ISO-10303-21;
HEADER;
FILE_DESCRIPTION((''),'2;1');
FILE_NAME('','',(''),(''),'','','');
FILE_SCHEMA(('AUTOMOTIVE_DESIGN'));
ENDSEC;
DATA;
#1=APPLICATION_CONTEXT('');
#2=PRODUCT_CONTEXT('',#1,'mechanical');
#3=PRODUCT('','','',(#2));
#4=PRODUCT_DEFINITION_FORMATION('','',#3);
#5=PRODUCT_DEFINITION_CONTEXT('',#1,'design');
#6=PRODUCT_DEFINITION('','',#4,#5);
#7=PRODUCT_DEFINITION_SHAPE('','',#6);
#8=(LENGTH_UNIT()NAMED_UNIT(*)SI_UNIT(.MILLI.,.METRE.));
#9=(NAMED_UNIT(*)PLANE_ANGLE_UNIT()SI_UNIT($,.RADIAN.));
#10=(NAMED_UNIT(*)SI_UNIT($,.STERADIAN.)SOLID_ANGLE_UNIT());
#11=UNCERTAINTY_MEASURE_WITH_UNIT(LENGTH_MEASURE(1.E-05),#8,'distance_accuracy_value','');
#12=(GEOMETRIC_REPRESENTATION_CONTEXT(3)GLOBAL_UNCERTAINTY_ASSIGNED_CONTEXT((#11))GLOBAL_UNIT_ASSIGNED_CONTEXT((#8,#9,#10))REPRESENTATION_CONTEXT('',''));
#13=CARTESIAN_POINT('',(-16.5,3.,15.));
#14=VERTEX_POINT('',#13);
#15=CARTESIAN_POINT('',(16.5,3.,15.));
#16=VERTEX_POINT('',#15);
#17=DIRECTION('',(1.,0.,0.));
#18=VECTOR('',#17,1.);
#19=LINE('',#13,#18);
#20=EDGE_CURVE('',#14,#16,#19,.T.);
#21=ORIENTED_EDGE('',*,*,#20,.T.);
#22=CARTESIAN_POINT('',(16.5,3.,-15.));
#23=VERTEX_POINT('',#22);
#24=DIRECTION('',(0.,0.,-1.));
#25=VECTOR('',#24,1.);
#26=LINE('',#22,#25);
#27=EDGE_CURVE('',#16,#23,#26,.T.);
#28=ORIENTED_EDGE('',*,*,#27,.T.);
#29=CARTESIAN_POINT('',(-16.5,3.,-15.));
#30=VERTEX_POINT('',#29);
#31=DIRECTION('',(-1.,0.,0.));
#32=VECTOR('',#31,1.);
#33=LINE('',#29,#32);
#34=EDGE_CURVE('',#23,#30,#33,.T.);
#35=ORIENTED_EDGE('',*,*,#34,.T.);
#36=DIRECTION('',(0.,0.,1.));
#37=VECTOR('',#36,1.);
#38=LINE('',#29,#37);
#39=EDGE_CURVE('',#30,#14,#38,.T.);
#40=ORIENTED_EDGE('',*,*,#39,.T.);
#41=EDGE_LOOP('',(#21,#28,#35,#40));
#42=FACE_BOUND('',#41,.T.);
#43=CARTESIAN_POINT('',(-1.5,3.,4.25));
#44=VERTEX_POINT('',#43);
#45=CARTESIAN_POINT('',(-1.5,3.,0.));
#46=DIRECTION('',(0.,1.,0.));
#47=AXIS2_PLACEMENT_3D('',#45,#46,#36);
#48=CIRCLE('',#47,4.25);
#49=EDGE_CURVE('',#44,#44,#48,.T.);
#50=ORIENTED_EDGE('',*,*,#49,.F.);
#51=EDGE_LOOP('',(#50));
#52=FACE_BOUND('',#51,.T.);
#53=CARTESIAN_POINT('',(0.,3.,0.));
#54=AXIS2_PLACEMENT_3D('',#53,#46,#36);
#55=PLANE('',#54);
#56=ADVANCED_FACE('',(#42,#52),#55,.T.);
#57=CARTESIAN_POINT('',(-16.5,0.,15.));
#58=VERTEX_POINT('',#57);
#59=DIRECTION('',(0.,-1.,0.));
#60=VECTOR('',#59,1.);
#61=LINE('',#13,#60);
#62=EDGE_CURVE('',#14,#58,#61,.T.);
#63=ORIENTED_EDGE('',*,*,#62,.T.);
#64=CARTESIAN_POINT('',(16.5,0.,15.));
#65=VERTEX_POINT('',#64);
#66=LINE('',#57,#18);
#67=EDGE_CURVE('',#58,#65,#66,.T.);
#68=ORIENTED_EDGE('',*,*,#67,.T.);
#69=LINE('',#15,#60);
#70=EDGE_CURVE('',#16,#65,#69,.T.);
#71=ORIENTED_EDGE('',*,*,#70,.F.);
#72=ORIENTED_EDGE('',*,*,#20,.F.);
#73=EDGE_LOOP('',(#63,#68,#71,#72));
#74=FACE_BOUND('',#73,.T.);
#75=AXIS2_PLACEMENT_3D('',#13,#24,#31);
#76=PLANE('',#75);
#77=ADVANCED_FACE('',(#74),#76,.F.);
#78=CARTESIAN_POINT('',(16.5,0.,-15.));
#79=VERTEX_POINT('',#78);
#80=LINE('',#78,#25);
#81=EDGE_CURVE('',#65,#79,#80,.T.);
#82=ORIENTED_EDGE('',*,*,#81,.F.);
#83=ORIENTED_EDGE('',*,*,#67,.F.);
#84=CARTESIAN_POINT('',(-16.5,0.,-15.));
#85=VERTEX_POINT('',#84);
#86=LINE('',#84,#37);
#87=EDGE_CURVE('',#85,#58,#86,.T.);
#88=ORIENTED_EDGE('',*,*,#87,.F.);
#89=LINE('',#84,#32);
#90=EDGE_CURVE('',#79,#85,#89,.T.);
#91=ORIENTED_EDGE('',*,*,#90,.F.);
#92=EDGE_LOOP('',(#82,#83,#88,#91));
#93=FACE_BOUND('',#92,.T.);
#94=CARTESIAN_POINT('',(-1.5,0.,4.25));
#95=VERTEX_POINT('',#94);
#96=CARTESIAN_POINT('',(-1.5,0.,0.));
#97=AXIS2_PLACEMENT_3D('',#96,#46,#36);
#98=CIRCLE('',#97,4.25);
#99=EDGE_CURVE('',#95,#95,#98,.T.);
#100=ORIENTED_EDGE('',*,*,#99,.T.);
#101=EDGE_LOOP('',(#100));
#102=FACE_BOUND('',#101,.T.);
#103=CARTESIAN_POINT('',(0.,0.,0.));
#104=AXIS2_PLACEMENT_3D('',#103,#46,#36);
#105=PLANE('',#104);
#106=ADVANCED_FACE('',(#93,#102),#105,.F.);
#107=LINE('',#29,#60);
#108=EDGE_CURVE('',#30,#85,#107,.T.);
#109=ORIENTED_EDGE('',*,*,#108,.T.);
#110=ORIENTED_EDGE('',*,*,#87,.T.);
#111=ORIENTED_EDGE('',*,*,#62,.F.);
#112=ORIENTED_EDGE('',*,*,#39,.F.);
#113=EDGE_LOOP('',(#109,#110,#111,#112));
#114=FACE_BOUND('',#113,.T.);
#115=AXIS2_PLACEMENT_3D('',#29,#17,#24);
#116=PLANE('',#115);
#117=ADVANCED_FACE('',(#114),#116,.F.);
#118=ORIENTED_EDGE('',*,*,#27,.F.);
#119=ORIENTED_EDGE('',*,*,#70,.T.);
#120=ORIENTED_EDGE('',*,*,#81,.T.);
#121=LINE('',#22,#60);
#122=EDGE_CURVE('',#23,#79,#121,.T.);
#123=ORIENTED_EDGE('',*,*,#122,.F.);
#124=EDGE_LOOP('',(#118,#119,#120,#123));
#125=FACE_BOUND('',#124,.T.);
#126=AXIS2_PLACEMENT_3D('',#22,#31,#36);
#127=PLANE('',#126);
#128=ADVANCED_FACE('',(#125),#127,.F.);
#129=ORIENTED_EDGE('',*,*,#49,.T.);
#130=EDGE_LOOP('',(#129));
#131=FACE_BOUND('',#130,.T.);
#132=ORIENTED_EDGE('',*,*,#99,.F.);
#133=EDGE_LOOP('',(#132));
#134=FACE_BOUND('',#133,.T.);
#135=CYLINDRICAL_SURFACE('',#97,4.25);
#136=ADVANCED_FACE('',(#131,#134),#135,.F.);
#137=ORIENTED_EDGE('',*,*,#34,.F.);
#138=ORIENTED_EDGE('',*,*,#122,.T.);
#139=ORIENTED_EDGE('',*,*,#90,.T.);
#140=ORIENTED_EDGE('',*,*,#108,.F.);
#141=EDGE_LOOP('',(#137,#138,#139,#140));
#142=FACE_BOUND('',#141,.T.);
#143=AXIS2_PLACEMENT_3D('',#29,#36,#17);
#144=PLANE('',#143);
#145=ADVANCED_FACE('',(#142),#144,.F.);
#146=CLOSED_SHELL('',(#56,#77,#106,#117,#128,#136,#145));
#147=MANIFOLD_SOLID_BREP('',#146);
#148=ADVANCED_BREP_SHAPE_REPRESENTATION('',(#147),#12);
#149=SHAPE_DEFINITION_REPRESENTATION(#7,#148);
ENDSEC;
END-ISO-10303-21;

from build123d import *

# Parameters (mm, degrees)
CROQUIS1_W              = 33
CROQUIS1_H              = 30
SALIENTE_EXTRUIR1_DEPTH = 3
CROQUIS2_R              = 4.25
CORTAR_EXTRUIR1_DEPTH   = 3


with BuildPart() as part:
    # Croquis1 → Saliente-Extruir1 (new body)
    with BuildSketch(Plane(origin=(0, 0, 0), x_dir=(1, 0, 0), z_dir=(0, 1, 0))):
        Rectangle(CROQUIS1_W, CROQUIS1_H)
    extrude(amount=SALIENTE_EXTRUIR1_DEPTH)

    # Croquis2 → Cortar-Extruir1 (cut)
    with BuildSketch(Plane(origin=(0, 3, 0), x_dir=(1, 0, 0), z_dir=(0, 1, 0))):
        with Locations(Location((-1.5, 0, 0), (0, 0, 270))):
            Circle(CROQUIS2_R)
    extrude(amount=-CORTAR_EXTRUIR1_DEPTH, mode=Mode.SUBTRACT)


solid = part.part
